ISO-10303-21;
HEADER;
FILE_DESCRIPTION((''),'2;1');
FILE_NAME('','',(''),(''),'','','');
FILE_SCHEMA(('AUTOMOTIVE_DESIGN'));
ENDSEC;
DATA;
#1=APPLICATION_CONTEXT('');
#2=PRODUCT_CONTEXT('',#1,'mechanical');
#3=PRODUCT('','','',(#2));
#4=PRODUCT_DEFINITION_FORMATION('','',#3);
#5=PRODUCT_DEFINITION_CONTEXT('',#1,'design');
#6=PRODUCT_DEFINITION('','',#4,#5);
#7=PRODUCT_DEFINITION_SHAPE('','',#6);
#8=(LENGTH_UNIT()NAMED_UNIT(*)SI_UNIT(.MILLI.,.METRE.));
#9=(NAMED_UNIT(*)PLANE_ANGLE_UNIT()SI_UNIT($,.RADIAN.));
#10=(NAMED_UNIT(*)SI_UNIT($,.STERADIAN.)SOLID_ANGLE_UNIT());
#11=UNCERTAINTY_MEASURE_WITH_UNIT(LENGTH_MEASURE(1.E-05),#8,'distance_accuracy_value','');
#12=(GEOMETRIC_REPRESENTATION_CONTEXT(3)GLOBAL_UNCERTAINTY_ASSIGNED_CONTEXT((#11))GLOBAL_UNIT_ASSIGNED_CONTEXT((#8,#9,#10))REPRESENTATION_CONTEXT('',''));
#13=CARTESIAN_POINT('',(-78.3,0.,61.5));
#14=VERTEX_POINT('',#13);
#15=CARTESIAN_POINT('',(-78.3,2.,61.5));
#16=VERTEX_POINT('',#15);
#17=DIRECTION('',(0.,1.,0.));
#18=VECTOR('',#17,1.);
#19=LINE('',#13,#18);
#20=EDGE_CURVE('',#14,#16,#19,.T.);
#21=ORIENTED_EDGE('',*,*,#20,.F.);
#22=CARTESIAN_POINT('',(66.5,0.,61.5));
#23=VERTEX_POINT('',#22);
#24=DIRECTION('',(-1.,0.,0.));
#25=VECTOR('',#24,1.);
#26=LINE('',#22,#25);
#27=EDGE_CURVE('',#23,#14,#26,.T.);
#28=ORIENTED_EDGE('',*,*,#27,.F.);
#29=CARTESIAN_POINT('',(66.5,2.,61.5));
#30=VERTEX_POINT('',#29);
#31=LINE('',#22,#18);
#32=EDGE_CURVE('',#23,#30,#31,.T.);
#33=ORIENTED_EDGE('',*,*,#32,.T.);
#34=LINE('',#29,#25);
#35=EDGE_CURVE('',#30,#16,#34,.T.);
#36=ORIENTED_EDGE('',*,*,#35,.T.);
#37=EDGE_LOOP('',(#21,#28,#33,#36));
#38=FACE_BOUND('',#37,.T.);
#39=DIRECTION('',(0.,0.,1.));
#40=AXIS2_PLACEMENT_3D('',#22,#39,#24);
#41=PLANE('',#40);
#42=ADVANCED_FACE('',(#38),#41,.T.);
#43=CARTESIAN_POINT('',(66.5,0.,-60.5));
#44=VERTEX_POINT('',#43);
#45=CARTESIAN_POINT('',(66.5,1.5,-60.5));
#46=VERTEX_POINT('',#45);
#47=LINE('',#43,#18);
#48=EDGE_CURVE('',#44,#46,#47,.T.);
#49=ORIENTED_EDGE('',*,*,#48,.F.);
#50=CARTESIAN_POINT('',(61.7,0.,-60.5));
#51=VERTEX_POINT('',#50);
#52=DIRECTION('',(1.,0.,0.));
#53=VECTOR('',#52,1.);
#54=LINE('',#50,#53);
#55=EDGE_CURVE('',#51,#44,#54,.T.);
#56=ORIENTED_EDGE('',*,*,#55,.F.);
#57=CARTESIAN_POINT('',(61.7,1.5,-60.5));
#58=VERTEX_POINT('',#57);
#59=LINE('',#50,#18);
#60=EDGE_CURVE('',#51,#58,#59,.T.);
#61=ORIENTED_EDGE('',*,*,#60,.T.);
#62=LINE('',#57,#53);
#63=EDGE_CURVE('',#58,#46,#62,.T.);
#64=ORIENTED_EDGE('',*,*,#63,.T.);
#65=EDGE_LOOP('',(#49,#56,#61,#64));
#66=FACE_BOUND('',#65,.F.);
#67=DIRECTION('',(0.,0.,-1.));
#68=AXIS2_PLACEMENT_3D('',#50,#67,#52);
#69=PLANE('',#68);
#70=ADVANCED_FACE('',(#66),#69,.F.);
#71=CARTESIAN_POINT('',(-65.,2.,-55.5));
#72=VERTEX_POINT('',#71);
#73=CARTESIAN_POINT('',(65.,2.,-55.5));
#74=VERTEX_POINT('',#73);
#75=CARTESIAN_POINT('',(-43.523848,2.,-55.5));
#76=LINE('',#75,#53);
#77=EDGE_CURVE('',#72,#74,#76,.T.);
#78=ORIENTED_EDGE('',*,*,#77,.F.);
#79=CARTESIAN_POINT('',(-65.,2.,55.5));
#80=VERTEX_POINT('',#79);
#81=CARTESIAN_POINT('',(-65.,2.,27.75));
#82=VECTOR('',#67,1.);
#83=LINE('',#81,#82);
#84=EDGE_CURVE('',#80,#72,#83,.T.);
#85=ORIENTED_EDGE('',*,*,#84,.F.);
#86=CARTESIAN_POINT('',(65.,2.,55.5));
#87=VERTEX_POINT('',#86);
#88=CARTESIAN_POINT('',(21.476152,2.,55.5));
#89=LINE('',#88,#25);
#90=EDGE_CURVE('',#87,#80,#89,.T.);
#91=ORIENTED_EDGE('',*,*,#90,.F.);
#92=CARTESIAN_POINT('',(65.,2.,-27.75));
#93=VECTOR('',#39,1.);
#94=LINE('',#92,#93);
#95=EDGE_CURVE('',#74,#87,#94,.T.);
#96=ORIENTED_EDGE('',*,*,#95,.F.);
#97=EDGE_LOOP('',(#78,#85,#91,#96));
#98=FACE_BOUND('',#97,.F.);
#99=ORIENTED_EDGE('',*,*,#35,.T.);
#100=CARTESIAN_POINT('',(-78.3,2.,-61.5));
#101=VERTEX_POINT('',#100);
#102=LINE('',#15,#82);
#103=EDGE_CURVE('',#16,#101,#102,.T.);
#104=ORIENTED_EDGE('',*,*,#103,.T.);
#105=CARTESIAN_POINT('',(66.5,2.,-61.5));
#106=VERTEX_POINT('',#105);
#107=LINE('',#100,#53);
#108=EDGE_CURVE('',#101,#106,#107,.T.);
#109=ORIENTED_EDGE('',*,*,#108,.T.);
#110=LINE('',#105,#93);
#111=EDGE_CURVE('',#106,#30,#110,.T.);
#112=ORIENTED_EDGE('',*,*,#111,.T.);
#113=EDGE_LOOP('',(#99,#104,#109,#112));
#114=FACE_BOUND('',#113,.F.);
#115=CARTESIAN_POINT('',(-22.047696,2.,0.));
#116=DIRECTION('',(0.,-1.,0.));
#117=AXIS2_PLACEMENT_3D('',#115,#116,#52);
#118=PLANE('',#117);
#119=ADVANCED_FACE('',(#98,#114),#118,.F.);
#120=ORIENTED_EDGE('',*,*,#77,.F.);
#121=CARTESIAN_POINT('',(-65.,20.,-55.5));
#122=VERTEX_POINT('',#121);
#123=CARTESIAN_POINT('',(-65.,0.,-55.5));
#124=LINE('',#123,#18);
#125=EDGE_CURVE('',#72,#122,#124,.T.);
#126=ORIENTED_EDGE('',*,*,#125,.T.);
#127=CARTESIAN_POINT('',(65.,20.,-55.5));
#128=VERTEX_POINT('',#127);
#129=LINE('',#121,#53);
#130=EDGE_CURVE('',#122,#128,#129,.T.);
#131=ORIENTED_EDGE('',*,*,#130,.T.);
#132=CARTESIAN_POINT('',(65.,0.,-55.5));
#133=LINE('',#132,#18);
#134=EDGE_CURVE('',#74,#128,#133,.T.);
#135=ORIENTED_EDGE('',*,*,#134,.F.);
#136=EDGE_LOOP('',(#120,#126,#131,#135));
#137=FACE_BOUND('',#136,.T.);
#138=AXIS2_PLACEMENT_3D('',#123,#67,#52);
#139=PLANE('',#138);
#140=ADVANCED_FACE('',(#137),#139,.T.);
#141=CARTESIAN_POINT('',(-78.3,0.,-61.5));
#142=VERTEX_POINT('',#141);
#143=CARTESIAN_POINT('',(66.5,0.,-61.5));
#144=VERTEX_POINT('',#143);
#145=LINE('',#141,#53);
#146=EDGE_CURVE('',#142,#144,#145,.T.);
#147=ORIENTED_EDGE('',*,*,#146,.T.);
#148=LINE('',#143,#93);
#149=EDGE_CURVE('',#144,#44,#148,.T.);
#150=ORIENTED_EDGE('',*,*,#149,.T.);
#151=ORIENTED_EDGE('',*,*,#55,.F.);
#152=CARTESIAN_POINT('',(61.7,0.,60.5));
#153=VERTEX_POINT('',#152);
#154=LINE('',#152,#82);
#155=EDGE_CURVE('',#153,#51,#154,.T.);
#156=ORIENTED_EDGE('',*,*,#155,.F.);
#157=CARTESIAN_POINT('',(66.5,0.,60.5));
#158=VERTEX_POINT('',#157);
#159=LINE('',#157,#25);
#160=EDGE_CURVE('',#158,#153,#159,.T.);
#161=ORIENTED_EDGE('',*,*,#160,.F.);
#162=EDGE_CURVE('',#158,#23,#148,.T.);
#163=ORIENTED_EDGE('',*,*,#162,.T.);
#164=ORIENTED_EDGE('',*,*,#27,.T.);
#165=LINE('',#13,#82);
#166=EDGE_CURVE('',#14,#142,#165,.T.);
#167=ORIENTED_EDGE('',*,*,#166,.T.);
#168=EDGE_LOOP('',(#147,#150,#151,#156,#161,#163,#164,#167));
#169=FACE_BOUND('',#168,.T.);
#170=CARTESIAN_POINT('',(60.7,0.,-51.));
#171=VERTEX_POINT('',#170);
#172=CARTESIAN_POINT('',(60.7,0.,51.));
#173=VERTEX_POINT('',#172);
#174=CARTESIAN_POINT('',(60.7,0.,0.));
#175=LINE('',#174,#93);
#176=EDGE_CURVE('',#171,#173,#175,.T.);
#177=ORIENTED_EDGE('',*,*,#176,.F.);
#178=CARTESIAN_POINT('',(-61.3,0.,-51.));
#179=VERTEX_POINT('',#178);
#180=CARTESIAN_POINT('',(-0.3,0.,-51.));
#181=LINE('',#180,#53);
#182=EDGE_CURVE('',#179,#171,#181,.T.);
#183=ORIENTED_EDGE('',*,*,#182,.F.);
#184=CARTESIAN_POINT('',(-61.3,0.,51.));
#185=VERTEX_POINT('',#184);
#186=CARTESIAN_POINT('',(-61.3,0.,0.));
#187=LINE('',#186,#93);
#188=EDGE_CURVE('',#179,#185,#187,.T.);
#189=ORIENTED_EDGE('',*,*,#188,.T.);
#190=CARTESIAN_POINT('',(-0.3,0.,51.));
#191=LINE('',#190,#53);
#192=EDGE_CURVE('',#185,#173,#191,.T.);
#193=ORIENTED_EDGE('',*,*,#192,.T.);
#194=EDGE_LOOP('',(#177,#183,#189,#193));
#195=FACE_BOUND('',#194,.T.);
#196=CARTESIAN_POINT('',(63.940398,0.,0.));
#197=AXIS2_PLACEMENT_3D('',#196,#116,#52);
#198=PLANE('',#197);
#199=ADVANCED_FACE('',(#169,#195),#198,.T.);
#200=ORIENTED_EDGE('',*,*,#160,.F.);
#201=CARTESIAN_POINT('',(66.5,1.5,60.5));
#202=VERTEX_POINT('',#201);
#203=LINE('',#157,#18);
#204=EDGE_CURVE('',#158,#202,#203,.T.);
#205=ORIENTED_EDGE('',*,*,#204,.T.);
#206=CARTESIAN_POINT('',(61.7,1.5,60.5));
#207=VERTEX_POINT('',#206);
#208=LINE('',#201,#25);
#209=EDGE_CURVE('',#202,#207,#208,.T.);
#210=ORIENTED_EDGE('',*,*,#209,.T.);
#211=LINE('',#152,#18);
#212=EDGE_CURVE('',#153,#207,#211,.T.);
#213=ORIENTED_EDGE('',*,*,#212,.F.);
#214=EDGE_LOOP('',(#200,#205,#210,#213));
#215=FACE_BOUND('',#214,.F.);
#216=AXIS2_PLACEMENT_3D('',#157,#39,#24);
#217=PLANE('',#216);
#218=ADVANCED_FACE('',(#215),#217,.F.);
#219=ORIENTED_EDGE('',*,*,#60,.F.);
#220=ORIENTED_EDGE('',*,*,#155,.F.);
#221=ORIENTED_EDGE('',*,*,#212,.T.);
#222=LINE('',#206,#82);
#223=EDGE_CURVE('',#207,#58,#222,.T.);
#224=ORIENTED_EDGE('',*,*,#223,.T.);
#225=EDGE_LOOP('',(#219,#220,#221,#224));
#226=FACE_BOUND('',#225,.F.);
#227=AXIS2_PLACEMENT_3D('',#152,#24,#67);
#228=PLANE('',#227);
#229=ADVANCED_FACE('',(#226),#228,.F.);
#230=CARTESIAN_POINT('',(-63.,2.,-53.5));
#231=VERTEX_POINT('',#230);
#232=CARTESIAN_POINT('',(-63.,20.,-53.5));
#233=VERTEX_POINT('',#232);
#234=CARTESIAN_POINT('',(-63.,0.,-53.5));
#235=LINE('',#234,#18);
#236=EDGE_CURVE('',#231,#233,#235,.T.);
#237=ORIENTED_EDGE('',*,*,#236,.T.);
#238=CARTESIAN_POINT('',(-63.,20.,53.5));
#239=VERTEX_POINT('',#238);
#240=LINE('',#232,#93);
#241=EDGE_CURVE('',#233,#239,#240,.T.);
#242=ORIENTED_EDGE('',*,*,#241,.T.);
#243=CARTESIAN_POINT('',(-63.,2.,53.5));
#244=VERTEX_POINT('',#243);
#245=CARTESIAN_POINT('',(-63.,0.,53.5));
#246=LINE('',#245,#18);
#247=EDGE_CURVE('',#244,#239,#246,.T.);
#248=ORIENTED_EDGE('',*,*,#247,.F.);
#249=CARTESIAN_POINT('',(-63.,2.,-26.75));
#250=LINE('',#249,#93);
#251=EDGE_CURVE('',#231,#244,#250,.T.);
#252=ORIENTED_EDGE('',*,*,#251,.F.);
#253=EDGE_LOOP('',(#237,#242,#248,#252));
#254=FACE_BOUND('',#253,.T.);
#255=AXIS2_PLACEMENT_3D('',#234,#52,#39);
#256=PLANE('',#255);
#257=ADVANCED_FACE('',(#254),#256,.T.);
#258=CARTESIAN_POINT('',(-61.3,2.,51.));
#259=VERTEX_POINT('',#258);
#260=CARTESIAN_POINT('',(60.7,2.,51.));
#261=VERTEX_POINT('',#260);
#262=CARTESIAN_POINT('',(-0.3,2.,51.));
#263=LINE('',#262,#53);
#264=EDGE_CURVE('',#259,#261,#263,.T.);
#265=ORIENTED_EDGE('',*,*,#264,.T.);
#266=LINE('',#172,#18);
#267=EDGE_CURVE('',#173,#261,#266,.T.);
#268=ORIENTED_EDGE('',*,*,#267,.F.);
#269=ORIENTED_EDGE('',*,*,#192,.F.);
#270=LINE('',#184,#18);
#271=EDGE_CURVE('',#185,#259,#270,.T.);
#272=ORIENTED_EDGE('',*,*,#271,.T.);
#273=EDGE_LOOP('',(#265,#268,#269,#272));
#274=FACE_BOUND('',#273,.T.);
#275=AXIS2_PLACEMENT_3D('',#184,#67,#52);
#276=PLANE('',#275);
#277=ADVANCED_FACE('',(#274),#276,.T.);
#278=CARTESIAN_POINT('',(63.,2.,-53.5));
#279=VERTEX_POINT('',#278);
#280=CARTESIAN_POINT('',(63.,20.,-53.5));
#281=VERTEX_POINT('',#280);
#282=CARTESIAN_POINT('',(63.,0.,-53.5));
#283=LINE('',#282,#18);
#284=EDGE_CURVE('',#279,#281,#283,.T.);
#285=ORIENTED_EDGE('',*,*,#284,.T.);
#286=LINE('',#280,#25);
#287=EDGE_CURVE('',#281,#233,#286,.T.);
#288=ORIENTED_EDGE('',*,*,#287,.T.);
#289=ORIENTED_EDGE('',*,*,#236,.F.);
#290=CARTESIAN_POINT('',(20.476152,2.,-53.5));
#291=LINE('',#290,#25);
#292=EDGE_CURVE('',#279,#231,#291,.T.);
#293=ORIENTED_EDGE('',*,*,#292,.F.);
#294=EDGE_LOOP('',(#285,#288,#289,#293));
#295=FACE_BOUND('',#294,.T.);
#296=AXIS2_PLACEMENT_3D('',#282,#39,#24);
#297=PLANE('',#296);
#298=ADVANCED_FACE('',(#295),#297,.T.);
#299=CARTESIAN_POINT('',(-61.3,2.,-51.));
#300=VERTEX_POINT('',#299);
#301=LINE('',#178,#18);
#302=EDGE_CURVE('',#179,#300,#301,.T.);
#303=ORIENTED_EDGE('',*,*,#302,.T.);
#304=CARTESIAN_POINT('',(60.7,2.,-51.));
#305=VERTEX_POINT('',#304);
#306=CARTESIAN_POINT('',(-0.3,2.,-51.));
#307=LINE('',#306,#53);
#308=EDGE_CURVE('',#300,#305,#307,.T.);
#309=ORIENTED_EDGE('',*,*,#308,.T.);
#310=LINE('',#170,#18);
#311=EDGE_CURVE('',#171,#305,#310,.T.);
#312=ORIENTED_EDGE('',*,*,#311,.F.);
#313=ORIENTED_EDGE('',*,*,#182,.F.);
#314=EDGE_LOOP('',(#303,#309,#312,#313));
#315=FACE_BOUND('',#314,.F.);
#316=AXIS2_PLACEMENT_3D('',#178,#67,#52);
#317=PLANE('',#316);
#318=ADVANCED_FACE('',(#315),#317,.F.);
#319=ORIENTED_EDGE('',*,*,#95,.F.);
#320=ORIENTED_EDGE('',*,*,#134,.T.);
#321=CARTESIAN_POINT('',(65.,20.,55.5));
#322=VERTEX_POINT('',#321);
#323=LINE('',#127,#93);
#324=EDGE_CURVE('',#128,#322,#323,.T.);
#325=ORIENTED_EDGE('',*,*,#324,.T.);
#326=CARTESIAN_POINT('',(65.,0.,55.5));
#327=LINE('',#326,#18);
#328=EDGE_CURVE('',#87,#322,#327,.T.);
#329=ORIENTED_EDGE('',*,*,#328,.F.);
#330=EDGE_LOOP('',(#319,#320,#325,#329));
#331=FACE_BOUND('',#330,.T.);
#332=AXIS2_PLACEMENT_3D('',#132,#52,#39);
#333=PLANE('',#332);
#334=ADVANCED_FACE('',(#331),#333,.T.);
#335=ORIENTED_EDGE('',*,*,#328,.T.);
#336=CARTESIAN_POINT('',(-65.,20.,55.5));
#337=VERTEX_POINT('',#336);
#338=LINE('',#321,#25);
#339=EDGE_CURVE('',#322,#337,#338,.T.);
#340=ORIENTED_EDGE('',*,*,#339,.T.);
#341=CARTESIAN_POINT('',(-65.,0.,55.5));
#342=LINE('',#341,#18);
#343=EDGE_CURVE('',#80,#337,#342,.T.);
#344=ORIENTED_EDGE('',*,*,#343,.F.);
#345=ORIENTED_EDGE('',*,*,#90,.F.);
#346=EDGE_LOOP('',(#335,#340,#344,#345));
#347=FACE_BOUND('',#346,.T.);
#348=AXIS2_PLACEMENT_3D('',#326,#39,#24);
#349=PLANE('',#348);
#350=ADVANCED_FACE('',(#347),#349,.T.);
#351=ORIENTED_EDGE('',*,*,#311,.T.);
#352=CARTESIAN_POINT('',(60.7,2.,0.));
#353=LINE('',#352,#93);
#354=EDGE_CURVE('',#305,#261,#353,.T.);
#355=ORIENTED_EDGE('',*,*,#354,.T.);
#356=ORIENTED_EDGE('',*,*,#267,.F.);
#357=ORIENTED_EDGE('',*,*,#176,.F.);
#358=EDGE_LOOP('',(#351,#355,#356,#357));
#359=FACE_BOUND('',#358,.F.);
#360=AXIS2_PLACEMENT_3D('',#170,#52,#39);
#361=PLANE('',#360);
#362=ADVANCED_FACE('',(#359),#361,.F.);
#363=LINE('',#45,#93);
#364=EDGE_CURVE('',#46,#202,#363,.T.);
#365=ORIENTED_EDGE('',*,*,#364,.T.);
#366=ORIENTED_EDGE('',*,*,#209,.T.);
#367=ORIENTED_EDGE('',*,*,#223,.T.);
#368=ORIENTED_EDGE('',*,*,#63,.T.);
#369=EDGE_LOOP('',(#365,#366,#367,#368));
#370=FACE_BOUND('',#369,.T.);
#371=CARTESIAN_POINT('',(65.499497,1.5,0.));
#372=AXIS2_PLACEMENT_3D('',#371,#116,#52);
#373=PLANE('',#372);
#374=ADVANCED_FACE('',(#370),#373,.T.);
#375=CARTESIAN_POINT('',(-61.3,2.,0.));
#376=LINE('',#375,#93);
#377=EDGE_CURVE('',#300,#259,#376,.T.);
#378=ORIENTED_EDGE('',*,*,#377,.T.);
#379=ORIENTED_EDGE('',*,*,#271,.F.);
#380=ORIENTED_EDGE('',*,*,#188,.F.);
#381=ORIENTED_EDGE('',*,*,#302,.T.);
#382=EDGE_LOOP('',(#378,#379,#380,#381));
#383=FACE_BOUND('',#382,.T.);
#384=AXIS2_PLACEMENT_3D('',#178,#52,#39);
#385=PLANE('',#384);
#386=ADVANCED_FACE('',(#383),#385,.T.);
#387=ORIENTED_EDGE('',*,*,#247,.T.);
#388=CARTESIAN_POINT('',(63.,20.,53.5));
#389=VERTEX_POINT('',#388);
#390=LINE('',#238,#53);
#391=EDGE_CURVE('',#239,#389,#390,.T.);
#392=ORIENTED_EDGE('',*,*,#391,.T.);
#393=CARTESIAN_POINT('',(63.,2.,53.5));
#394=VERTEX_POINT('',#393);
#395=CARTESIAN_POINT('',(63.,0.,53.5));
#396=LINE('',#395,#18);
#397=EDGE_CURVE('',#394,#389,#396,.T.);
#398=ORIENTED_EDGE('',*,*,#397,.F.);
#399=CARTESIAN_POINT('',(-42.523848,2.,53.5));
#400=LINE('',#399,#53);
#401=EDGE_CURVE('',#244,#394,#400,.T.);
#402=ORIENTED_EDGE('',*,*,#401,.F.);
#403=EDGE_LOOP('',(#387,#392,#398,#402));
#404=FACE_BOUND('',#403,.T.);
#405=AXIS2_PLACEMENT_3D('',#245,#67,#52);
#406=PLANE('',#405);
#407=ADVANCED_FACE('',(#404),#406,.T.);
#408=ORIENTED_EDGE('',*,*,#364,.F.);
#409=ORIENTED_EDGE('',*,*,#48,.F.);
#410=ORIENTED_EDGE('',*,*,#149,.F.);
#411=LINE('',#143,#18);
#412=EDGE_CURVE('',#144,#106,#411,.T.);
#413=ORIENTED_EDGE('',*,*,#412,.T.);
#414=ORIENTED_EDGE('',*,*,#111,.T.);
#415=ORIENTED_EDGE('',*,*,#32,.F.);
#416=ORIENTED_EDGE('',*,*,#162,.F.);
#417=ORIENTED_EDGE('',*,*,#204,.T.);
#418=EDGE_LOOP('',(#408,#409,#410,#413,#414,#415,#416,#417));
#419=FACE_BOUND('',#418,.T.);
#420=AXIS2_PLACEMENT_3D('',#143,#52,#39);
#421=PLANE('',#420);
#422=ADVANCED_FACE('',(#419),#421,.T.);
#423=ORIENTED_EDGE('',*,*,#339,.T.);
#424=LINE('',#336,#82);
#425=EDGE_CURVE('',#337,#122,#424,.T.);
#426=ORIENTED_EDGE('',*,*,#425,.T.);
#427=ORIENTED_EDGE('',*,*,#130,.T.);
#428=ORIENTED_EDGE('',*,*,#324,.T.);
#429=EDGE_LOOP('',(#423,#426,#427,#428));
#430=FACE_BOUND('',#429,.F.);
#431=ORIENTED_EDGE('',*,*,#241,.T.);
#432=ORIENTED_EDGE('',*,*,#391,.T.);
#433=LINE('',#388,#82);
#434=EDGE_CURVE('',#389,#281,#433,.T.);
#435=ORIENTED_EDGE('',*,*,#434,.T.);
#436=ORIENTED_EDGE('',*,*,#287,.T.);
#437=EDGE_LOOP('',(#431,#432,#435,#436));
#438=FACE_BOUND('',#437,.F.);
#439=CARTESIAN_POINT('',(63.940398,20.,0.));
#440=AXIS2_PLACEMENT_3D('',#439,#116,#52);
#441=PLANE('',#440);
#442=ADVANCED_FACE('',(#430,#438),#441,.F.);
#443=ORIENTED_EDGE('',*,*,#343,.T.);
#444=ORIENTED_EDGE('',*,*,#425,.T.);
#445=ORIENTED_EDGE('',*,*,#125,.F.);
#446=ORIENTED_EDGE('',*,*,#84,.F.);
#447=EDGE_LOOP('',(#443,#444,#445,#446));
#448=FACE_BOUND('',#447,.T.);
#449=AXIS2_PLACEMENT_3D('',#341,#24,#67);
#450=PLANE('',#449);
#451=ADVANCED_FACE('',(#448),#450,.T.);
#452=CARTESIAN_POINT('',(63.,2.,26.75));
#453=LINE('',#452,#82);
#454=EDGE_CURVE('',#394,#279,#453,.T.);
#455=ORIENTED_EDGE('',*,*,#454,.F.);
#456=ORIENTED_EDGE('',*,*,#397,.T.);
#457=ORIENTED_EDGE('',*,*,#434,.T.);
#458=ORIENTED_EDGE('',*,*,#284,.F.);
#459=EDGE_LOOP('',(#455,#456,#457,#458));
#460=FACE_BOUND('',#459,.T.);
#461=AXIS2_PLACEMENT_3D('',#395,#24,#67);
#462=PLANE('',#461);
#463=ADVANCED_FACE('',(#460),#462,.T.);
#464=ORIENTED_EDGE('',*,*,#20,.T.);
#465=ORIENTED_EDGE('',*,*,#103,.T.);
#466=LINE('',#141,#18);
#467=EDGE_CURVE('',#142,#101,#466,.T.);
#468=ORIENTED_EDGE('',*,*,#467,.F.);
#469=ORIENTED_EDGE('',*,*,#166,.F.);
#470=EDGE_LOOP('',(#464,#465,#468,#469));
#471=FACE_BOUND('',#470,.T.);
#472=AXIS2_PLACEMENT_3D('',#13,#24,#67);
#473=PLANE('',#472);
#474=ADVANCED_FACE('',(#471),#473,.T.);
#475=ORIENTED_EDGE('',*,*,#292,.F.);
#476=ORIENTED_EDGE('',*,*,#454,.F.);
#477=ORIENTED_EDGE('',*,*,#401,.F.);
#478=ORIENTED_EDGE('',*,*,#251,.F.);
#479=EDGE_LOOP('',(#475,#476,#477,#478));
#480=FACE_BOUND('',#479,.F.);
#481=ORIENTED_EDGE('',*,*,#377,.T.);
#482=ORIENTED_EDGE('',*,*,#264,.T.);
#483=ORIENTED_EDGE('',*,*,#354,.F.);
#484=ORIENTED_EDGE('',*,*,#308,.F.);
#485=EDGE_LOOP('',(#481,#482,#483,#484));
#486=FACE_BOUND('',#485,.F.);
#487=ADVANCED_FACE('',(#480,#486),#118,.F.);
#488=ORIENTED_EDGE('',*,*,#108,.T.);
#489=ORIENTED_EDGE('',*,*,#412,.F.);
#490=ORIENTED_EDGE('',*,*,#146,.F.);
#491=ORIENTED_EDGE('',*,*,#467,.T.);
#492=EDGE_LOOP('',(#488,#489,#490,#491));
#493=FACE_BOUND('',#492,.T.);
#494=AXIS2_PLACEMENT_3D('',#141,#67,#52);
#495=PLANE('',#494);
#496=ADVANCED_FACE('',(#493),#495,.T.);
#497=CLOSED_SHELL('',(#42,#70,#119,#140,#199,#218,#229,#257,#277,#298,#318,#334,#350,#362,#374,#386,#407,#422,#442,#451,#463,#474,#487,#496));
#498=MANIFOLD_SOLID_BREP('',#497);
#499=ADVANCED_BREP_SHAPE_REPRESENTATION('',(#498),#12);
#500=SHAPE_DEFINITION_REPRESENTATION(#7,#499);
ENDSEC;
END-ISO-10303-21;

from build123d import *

# Parameters (mm, degrees)
F0_W          = 124.7
F0_H          = 107
F0_W_2        = 122
F0_H_2        = 102
F0_W_3        = 1.3
F1_DEPTH      = 2
F2_DEPTH      = 20
F3_DEPTH      = 1.5
F3_DEPTH_BACK = 2


with BuildPart() as f1:
    # F0 (on Front) → F1 (new body)
    with BuildSketch(Plane.XZ):
        Polygon((-78.3, -61.5), (66.5, -61.5), (66.5, -60.5), (61.7, -60.5), (61.7, -55.5), (-65, -55.5), (-65, 55.5), (61.7, 55.5), (61.7, 60.5), (66.5, 60.5), (66.5, 61.5), (-78.3, 61.5), align=None)
        Polygon((61.7, -53.5), (61.7, -55.5), (65, -55.5), (65, 55.5), (61.7, 55.5), (61.7, 53.5), (63, 53.5), (63, -53.5), align=None)
        Polygon((-65, -55.5), (61.7, -55.5), (61.7, -53.5), (-63, -53.5), (-63, 53.5), (61.7, 53.5), (61.7, 55.5), (-65, 55.5), align=None)
        with Locations((-0.65, 0)):
            Rectangle(F0_W, F0_H)
        with Locations((-0.3, 0)):
            Rectangle(F0_W_2, F0_H_2, mode=Mode.SUBTRACT)
        Polygon((61.7, -60.5), (66.5, -60.5), (66.5, 60.5), (61.7, 60.5), (61.7, 55.5), (65, 55.5), (65, -55.5), (61.7, -55.5), align=None)
        with Locations((62.35, 0)):
            Rectangle(F0_W_3, F0_H)
    extrude(amount=-F1_DEPTH)

    # F0 (on Front) → F2 (join)
    with BuildSketch(Plane.XZ):
        Polygon((61.7, -53.5), (61.7, -55.5), (65, -55.5), (65, 55.5), (61.7, 55.5), (61.7, 53.5), (63, 53.5), (63, -53.5), align=None)
        Polygon((-65, -55.5), (61.7, -55.5), (61.7, -53.5), (-63, -53.5), (-63, 53.5), (61.7, 53.5), (61.7, 55.5), (-65, 55.5), align=None)
    extrude(amount=-F2_DEPTH)

    # F0 (on Front) → F3 (cut, two sides)
    with BuildSketch(Plane.XZ) as f3_sk:
        Polygon((61.7, -60.5), (66.5, -60.5), (66.5, 60.5), (61.7, 60.5), (61.7, 55.5), (65, 55.5), (65, -55.5), (61.7, -55.5), align=None)
        with Locations((62.35, 0)):
            Rectangle(F0_W_3, F0_H)
        Polygon((61.7, -53.5), (61.7, -55.5), (65, -55.5), (65, 55.5), (61.7, 55.5), (61.7, 53.5), (63, 53.5), (63, -53.5), align=None)
    extrude(amount=-F3_DEPTH, mode=Mode.SUBTRACT)
    extrude(f3_sk.sketch, amount=F3_DEPTH_BACK, mode=Mode.SUBTRACT)


solid = f1.part
